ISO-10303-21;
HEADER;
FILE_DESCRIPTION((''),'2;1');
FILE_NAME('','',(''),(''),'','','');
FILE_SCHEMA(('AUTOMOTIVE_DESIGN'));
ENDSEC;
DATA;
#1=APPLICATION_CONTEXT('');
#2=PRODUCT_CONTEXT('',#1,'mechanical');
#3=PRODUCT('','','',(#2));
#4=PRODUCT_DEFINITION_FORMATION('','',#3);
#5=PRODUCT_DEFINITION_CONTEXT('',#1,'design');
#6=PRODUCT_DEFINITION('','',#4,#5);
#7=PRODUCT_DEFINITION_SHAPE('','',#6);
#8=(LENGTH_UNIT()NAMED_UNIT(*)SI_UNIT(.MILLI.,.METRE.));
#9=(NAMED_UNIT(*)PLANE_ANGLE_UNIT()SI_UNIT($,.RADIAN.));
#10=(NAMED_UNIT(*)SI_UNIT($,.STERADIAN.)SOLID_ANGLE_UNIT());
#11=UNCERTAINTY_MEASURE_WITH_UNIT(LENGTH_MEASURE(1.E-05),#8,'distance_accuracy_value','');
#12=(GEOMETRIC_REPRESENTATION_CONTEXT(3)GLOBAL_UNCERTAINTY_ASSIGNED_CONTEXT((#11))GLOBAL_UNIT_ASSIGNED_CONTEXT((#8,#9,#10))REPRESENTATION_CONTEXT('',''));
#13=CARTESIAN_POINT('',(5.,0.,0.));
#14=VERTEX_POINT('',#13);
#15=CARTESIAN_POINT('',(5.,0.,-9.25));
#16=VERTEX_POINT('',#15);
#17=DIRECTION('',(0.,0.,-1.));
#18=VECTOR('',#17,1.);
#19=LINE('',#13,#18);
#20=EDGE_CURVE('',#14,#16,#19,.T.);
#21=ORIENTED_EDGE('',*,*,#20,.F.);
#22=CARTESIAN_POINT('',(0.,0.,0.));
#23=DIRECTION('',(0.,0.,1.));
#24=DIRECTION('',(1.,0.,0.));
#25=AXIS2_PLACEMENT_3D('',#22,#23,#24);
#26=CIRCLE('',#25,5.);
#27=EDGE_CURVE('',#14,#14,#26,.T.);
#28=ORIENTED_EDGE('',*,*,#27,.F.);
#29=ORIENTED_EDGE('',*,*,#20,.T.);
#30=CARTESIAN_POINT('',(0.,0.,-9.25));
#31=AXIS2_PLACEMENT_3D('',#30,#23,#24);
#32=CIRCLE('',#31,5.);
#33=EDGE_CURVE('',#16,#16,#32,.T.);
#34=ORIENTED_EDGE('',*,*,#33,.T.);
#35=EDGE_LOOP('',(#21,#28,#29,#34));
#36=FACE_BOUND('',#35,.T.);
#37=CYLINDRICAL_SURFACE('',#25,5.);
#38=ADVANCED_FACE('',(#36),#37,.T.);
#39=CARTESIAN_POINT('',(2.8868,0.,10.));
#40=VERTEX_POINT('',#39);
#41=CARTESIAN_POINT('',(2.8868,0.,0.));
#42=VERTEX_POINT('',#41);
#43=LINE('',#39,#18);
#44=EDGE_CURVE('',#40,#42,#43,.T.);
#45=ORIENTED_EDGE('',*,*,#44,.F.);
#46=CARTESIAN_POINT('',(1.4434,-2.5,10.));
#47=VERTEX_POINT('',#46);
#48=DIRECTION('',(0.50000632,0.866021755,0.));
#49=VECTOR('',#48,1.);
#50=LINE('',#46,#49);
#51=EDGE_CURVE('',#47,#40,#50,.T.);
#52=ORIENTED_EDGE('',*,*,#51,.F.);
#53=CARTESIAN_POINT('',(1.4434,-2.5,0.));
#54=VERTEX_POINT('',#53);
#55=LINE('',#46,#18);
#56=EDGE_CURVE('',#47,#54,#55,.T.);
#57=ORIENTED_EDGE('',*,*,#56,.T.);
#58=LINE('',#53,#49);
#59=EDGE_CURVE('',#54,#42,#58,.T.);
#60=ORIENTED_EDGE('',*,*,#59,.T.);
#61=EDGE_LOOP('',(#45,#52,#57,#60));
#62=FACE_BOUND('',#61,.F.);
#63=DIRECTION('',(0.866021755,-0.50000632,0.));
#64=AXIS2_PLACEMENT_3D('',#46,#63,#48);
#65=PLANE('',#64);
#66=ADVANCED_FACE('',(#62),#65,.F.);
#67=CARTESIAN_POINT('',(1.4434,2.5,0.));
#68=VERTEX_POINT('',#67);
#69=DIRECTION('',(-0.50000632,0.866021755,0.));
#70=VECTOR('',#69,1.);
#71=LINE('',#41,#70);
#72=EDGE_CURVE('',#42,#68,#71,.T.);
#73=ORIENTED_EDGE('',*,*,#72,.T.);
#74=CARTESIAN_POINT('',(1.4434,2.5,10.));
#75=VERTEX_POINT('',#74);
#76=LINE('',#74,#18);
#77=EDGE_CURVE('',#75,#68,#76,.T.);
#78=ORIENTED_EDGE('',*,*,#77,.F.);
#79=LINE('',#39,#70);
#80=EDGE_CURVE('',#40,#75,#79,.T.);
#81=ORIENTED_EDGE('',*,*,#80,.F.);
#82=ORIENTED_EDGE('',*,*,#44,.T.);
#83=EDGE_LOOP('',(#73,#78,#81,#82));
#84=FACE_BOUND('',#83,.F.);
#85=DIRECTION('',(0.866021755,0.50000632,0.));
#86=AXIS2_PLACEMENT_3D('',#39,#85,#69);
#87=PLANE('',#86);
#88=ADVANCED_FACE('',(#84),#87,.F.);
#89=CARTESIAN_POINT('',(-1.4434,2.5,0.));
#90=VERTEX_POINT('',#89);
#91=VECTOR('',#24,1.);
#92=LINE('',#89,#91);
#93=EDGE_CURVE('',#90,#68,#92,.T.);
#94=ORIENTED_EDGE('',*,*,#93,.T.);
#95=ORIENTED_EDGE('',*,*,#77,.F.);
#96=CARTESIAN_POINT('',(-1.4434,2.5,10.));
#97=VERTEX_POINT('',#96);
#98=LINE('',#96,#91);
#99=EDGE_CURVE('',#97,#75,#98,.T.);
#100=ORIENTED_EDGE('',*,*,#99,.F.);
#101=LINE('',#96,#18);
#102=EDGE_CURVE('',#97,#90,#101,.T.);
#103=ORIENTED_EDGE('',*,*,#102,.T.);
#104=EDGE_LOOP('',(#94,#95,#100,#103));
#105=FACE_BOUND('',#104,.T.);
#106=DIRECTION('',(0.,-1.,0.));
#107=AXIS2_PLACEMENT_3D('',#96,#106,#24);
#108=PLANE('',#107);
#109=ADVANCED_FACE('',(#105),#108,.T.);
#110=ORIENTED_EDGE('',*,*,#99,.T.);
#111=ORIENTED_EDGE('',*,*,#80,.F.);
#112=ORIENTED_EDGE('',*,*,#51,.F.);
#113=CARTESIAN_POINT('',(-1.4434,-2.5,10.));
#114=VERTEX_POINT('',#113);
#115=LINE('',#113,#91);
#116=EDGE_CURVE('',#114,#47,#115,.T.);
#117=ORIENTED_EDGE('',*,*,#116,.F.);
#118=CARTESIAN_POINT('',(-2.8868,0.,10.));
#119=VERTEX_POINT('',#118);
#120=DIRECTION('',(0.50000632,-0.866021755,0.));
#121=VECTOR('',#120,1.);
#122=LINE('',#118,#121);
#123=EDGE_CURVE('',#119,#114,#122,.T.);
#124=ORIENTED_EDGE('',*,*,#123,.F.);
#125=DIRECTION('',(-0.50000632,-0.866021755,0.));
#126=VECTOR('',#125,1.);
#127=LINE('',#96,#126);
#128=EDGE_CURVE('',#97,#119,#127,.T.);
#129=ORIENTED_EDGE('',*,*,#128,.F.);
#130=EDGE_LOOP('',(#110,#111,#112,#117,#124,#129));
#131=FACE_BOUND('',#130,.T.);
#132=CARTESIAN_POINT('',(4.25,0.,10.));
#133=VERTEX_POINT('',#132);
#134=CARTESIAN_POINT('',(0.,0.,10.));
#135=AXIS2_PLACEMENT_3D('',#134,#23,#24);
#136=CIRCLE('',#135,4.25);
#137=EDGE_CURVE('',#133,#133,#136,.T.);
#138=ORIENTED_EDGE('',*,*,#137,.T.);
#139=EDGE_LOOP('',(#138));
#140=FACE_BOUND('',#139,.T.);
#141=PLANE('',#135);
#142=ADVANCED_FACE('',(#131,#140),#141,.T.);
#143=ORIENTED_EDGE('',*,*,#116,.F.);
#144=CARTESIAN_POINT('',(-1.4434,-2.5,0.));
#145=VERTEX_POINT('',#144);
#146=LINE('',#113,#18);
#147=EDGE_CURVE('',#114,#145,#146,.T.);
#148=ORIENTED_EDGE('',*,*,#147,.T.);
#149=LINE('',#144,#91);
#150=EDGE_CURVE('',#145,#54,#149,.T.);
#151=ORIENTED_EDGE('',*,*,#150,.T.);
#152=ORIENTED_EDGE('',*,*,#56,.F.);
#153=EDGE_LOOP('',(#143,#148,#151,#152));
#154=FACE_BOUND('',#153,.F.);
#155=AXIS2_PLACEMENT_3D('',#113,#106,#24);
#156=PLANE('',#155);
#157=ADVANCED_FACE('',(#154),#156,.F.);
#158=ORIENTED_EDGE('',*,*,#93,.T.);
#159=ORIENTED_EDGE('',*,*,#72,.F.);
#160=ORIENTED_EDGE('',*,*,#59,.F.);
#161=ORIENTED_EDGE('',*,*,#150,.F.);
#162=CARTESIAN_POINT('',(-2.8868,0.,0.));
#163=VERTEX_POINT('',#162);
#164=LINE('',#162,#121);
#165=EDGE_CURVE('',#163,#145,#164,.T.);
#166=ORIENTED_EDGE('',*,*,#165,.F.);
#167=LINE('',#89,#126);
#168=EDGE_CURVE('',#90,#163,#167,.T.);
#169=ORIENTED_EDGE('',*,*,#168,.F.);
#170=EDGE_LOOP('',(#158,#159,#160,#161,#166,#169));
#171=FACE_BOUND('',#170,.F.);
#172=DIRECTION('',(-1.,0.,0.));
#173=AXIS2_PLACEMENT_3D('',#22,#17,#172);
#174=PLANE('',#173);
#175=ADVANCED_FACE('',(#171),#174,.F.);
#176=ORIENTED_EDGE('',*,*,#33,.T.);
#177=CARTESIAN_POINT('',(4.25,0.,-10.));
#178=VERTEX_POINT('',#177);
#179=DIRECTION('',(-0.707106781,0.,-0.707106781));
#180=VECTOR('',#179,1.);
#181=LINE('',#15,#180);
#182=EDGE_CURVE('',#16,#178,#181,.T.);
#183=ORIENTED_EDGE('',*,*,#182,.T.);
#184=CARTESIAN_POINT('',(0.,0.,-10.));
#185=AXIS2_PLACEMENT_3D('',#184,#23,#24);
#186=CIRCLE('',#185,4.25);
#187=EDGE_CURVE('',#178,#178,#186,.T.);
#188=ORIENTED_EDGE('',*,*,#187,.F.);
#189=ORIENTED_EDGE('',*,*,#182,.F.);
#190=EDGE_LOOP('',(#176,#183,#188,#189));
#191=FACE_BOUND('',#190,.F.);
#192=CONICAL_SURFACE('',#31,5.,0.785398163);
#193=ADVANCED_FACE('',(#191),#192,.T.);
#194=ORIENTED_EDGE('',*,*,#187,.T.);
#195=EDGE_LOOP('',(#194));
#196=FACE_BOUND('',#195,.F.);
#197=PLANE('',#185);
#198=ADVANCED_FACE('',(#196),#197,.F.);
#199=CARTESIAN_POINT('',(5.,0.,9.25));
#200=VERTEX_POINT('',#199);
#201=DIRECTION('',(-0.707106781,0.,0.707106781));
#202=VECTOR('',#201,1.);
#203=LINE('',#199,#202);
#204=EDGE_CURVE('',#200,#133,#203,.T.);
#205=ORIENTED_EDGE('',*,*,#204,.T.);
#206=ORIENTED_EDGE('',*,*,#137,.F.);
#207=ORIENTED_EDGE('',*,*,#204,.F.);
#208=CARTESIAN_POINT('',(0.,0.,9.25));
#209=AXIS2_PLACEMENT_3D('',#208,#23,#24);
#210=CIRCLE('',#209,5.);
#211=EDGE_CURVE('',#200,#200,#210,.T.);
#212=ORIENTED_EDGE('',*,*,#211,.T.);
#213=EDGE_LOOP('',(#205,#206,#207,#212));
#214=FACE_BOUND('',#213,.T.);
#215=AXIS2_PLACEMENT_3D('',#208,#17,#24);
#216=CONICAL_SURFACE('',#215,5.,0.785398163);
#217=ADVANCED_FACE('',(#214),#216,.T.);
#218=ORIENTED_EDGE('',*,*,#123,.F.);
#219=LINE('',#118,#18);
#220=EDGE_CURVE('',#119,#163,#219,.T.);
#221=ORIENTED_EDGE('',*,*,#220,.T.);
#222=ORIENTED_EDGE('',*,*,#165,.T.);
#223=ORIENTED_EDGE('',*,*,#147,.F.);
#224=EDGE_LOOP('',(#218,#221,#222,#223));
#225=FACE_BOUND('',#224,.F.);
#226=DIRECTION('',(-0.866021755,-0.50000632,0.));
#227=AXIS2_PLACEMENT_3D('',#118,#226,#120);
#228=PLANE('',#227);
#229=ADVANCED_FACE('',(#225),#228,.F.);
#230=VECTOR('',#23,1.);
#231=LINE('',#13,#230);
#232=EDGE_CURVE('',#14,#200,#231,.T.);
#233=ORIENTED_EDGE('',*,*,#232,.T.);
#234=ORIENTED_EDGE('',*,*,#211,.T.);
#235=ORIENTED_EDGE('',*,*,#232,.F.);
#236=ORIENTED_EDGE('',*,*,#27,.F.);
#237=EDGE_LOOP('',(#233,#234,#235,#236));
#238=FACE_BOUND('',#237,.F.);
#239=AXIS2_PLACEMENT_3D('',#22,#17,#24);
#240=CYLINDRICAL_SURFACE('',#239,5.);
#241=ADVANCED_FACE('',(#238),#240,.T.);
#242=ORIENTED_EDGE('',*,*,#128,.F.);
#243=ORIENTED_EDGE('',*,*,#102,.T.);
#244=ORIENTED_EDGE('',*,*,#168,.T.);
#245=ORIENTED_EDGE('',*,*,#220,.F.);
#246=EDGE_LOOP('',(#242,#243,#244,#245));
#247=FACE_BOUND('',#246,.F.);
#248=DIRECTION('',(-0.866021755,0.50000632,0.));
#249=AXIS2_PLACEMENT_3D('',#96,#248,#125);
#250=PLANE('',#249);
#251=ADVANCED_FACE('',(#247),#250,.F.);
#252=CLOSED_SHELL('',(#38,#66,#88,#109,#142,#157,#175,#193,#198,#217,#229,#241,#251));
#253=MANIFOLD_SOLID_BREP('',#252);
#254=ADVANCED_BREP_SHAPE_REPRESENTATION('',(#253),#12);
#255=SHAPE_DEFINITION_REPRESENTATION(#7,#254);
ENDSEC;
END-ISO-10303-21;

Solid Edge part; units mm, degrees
sketch "Sketch1" plane through (0, 0, 0) normal (0, 0, 1) x (1, 0, 0)
  circle A0 centre (0, 0) radius 5
  dimension "D1" = 10
extrude "Protrusion1" add sketch "Sketch1" along normal mid plane 20
chamfer "Chamfer1" distance 0.75 angle 45 2 edges at (-5, 0, -10) (-5, 0, 10)
sketch "Sketch2" plane through (0, 0, 10) normal (0, 0, 1) x (1, 0, 0)
  line L0 (-1.4434, 2.5) -> (1.4434, 2.5)
  line L1 (2.8868, 0) -> (1.4434, 2.5)
  line L2 (1.4434, -2.5) -> (2.8868, 0)
  line L3 (-1.4434, -2.5) -> (1.4434, -2.5)
  line L4 (-2.8868, 0) -> (-1.4434, -2.5)
  line L5 (-1.4434, 2.5) -> (-2.8868, 0)
  dimension "D1" = 5
extrude "Cutout1" cut sketch "Sketch2" against normal blind 10
properties part number "24104618"
